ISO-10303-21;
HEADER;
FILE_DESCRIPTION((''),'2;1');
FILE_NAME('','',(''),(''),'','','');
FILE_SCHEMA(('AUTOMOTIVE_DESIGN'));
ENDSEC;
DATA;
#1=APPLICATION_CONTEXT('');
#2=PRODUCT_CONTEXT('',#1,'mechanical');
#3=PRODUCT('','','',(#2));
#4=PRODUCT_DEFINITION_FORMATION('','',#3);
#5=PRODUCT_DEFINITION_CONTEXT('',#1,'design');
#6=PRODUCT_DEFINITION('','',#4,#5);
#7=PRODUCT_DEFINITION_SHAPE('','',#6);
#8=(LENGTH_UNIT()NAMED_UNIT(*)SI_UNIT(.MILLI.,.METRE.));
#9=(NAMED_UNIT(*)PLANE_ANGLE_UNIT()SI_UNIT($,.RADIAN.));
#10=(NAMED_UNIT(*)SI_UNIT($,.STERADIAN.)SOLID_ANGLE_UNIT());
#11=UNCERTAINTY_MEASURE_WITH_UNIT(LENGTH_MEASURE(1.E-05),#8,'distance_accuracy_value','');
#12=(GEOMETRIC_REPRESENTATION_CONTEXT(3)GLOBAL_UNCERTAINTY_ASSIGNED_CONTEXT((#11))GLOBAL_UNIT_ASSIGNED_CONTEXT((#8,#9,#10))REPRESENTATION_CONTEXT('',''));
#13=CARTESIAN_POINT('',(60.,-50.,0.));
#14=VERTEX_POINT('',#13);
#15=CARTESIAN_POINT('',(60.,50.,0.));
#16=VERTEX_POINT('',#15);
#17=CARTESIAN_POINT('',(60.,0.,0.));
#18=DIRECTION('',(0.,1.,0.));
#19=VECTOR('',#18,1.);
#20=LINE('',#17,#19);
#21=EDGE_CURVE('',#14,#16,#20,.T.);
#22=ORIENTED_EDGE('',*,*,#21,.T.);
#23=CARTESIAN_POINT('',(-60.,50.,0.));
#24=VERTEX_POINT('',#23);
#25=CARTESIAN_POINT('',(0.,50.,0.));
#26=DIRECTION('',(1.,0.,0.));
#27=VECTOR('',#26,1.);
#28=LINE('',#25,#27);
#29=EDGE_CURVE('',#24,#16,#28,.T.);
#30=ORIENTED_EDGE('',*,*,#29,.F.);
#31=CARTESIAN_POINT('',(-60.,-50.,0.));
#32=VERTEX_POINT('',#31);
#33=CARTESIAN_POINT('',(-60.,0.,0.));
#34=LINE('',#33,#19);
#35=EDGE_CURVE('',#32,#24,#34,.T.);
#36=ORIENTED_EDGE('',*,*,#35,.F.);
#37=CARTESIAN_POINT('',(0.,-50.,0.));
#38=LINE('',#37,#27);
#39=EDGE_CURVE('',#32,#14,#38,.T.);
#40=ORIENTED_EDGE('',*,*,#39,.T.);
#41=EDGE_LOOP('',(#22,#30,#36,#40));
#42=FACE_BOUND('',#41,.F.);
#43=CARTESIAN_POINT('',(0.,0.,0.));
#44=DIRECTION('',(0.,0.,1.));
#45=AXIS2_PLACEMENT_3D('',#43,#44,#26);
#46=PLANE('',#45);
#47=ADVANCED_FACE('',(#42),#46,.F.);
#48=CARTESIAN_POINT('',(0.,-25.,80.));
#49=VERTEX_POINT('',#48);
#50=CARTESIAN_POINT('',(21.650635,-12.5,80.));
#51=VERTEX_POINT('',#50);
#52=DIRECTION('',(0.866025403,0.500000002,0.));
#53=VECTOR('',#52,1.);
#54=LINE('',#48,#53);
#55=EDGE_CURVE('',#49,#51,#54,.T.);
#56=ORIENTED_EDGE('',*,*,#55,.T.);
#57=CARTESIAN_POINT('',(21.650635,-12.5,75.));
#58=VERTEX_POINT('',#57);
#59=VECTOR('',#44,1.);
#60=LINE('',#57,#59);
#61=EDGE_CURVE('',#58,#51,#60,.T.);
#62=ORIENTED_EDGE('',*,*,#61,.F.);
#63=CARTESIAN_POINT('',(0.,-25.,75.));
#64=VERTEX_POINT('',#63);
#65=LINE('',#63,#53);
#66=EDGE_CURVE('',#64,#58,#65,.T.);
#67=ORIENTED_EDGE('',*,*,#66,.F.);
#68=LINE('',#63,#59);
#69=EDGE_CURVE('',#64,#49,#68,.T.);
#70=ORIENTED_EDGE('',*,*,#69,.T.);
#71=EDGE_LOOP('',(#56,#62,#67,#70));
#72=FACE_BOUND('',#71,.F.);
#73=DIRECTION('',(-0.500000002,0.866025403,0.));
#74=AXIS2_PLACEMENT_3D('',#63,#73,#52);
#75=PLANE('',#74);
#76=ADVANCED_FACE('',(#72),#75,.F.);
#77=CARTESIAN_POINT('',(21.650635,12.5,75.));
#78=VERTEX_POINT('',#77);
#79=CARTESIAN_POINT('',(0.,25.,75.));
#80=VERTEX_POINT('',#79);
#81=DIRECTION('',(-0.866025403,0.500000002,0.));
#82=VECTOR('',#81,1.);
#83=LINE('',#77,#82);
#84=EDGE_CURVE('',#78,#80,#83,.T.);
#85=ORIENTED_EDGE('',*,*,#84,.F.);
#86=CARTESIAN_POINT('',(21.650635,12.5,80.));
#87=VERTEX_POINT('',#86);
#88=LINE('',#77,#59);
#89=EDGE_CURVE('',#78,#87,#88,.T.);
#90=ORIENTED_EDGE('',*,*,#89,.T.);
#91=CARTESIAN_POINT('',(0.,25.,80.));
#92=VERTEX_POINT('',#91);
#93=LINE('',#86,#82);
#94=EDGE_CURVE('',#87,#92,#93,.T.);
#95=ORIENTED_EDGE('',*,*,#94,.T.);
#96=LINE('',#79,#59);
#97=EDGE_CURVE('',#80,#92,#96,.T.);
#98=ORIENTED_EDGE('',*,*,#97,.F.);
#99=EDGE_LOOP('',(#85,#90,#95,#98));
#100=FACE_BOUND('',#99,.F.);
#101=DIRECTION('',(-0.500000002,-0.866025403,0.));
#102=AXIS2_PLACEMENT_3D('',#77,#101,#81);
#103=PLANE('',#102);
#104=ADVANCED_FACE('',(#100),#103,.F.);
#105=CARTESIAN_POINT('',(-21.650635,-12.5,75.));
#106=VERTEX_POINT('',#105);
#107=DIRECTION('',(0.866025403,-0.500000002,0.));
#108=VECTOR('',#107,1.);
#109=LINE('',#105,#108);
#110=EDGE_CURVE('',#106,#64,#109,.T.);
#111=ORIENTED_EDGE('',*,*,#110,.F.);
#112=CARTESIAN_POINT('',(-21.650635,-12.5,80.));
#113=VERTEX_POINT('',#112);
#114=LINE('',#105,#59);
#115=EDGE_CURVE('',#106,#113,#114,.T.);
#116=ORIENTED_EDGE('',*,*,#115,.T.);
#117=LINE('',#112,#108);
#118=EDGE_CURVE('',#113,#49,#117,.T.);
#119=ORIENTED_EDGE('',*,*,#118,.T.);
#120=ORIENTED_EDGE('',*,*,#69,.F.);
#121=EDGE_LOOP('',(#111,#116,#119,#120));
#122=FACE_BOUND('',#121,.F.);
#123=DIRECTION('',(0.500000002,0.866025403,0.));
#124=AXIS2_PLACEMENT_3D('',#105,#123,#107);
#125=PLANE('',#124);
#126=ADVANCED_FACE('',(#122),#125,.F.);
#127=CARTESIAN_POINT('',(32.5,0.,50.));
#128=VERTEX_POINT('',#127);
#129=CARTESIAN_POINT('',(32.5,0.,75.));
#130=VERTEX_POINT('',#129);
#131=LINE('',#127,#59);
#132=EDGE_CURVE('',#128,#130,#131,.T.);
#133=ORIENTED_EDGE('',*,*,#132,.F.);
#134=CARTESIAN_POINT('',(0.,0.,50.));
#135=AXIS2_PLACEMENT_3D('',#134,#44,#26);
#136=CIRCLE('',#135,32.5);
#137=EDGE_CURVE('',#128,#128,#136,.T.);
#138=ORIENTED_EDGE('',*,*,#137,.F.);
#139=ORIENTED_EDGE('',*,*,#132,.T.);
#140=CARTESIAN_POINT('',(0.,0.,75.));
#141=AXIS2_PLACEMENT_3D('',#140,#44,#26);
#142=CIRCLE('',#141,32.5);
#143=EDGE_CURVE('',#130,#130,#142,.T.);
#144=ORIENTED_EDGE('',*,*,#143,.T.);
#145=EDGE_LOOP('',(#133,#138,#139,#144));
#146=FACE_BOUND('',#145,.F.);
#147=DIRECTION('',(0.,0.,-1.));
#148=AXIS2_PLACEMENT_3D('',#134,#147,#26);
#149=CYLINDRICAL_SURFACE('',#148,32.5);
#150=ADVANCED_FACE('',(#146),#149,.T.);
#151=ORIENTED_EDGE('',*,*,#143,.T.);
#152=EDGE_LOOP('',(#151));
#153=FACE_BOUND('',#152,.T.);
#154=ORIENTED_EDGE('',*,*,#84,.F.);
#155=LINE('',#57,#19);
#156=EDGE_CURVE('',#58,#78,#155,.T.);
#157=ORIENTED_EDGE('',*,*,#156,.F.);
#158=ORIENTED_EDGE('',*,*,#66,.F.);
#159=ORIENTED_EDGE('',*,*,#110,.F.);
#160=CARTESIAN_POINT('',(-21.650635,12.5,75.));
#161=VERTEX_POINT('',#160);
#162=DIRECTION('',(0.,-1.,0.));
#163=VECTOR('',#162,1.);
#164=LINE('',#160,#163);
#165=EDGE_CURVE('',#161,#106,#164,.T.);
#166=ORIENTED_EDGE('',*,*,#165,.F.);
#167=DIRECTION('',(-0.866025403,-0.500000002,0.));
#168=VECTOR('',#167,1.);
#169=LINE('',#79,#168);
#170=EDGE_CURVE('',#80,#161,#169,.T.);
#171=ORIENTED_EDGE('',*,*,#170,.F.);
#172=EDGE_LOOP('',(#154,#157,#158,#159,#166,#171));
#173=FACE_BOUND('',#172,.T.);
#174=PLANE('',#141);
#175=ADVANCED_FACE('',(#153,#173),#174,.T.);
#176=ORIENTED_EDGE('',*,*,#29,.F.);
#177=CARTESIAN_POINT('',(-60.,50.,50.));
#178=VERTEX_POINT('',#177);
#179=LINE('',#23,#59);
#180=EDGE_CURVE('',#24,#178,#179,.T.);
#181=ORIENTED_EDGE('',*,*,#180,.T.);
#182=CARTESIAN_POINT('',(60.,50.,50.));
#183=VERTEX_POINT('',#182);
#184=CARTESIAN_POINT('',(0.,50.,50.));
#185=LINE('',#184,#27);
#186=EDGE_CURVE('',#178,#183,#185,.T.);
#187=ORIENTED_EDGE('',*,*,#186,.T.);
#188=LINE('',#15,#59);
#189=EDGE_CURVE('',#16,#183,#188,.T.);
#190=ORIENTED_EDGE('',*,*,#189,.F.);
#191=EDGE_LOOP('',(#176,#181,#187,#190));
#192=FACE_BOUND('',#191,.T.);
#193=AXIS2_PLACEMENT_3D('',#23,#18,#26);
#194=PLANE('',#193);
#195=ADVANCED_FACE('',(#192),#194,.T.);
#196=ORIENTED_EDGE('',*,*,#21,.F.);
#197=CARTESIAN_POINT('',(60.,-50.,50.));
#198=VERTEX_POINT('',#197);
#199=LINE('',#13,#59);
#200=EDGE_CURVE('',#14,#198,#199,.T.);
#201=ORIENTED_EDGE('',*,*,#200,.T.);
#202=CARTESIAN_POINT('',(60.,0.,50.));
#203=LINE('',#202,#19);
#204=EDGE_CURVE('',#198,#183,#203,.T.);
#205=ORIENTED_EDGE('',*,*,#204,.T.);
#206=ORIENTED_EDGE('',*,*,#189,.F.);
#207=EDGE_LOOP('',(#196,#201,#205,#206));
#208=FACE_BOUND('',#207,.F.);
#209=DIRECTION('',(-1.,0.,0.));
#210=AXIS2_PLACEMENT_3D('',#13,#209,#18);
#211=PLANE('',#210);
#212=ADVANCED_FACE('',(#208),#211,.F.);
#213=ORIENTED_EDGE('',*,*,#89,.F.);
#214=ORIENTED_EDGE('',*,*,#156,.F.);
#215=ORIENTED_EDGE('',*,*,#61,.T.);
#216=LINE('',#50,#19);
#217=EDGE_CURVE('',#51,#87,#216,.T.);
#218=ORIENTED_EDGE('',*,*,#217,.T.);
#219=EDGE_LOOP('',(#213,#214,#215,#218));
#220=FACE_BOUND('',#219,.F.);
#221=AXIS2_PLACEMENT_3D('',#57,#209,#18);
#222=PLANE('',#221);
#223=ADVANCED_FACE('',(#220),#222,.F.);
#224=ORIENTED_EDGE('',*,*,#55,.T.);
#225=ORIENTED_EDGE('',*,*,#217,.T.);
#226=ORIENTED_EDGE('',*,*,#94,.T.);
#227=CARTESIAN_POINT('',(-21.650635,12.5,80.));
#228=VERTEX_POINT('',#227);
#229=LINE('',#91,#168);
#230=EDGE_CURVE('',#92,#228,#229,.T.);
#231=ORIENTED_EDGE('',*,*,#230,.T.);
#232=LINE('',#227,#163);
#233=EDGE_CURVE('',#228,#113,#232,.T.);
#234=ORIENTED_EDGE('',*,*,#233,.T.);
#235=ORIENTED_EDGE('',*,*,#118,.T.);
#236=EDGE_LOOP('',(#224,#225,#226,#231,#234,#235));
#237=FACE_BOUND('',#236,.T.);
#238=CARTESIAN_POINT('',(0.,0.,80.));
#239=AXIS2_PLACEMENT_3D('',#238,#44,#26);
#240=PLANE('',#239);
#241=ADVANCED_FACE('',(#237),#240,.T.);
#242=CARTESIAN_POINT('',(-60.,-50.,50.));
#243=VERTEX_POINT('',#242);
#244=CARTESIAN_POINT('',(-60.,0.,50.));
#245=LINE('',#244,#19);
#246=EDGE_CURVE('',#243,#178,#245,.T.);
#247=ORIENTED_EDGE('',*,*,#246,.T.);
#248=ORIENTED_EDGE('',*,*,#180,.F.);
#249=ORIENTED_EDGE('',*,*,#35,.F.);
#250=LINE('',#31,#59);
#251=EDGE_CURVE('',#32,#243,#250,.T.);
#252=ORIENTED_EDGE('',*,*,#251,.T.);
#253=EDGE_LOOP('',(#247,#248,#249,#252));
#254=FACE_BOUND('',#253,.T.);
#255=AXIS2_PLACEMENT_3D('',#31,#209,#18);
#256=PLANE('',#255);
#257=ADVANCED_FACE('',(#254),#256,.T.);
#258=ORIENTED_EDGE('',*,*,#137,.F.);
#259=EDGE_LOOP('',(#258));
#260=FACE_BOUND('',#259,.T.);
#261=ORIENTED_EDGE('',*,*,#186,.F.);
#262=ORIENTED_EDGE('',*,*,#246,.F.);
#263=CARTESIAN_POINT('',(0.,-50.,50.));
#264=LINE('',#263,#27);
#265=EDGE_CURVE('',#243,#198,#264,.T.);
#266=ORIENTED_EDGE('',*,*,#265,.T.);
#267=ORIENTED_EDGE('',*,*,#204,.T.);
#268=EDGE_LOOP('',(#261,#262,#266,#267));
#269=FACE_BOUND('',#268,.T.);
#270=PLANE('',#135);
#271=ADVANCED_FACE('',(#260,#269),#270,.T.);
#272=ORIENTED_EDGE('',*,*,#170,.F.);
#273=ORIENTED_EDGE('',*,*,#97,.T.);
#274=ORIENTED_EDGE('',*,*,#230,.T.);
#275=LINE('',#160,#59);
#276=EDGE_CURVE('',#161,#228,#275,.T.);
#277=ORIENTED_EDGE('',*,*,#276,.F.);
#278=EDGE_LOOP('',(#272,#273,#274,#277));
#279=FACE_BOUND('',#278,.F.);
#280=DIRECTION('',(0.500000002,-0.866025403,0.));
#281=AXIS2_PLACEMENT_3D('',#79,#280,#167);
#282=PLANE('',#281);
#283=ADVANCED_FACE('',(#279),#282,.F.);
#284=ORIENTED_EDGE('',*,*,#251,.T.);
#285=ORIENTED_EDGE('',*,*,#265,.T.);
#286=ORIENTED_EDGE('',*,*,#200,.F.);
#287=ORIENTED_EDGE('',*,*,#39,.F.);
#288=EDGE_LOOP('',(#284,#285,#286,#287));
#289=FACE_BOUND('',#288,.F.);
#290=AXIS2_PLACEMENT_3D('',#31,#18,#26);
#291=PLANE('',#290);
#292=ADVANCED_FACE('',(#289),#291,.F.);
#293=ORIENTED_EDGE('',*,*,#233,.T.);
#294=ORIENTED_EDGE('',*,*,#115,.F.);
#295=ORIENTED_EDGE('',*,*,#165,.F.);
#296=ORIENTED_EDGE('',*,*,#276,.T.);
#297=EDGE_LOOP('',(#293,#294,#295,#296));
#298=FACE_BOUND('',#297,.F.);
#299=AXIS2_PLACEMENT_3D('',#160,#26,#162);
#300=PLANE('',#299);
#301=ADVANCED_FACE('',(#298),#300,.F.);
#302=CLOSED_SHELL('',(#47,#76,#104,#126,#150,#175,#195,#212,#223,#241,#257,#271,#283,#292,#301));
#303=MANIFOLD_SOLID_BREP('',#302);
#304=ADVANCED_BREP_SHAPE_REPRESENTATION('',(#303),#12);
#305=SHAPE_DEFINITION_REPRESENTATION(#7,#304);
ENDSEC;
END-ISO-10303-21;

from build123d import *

# Parameters (mm, degrees)
F0_W     = 120
F0_H     = 100
F1_DEPTH = 50
F2_R     = 32.5
F3_DEPTH = 25
F5_DEPTH = 5


with BuildPart() as f1:
    # F0 (on Top) → F1 (new body)
    with BuildSketch(Plane.XY):
        Rectangle(F0_W, F0_H)
    extrude(amount=F1_DEPTH)

    # F2 (on face) → F3 (join)
    with BuildSketch(Plane.XY.offset(50)):
        Circle(F2_R)
    extrude(amount=F3_DEPTH)

    # F4 (on face) → F5 (join)
    with BuildSketch(Plane.XY.offset(75)):
        Polygon((-21.650635, -12.5), (0, -25), (21.650635, -12.5), (21.650635, 12.5), (0, 25), (-21.650635, 12.5), align=None)
    extrude(amount=F5_DEPTH)


solid = f1.part
